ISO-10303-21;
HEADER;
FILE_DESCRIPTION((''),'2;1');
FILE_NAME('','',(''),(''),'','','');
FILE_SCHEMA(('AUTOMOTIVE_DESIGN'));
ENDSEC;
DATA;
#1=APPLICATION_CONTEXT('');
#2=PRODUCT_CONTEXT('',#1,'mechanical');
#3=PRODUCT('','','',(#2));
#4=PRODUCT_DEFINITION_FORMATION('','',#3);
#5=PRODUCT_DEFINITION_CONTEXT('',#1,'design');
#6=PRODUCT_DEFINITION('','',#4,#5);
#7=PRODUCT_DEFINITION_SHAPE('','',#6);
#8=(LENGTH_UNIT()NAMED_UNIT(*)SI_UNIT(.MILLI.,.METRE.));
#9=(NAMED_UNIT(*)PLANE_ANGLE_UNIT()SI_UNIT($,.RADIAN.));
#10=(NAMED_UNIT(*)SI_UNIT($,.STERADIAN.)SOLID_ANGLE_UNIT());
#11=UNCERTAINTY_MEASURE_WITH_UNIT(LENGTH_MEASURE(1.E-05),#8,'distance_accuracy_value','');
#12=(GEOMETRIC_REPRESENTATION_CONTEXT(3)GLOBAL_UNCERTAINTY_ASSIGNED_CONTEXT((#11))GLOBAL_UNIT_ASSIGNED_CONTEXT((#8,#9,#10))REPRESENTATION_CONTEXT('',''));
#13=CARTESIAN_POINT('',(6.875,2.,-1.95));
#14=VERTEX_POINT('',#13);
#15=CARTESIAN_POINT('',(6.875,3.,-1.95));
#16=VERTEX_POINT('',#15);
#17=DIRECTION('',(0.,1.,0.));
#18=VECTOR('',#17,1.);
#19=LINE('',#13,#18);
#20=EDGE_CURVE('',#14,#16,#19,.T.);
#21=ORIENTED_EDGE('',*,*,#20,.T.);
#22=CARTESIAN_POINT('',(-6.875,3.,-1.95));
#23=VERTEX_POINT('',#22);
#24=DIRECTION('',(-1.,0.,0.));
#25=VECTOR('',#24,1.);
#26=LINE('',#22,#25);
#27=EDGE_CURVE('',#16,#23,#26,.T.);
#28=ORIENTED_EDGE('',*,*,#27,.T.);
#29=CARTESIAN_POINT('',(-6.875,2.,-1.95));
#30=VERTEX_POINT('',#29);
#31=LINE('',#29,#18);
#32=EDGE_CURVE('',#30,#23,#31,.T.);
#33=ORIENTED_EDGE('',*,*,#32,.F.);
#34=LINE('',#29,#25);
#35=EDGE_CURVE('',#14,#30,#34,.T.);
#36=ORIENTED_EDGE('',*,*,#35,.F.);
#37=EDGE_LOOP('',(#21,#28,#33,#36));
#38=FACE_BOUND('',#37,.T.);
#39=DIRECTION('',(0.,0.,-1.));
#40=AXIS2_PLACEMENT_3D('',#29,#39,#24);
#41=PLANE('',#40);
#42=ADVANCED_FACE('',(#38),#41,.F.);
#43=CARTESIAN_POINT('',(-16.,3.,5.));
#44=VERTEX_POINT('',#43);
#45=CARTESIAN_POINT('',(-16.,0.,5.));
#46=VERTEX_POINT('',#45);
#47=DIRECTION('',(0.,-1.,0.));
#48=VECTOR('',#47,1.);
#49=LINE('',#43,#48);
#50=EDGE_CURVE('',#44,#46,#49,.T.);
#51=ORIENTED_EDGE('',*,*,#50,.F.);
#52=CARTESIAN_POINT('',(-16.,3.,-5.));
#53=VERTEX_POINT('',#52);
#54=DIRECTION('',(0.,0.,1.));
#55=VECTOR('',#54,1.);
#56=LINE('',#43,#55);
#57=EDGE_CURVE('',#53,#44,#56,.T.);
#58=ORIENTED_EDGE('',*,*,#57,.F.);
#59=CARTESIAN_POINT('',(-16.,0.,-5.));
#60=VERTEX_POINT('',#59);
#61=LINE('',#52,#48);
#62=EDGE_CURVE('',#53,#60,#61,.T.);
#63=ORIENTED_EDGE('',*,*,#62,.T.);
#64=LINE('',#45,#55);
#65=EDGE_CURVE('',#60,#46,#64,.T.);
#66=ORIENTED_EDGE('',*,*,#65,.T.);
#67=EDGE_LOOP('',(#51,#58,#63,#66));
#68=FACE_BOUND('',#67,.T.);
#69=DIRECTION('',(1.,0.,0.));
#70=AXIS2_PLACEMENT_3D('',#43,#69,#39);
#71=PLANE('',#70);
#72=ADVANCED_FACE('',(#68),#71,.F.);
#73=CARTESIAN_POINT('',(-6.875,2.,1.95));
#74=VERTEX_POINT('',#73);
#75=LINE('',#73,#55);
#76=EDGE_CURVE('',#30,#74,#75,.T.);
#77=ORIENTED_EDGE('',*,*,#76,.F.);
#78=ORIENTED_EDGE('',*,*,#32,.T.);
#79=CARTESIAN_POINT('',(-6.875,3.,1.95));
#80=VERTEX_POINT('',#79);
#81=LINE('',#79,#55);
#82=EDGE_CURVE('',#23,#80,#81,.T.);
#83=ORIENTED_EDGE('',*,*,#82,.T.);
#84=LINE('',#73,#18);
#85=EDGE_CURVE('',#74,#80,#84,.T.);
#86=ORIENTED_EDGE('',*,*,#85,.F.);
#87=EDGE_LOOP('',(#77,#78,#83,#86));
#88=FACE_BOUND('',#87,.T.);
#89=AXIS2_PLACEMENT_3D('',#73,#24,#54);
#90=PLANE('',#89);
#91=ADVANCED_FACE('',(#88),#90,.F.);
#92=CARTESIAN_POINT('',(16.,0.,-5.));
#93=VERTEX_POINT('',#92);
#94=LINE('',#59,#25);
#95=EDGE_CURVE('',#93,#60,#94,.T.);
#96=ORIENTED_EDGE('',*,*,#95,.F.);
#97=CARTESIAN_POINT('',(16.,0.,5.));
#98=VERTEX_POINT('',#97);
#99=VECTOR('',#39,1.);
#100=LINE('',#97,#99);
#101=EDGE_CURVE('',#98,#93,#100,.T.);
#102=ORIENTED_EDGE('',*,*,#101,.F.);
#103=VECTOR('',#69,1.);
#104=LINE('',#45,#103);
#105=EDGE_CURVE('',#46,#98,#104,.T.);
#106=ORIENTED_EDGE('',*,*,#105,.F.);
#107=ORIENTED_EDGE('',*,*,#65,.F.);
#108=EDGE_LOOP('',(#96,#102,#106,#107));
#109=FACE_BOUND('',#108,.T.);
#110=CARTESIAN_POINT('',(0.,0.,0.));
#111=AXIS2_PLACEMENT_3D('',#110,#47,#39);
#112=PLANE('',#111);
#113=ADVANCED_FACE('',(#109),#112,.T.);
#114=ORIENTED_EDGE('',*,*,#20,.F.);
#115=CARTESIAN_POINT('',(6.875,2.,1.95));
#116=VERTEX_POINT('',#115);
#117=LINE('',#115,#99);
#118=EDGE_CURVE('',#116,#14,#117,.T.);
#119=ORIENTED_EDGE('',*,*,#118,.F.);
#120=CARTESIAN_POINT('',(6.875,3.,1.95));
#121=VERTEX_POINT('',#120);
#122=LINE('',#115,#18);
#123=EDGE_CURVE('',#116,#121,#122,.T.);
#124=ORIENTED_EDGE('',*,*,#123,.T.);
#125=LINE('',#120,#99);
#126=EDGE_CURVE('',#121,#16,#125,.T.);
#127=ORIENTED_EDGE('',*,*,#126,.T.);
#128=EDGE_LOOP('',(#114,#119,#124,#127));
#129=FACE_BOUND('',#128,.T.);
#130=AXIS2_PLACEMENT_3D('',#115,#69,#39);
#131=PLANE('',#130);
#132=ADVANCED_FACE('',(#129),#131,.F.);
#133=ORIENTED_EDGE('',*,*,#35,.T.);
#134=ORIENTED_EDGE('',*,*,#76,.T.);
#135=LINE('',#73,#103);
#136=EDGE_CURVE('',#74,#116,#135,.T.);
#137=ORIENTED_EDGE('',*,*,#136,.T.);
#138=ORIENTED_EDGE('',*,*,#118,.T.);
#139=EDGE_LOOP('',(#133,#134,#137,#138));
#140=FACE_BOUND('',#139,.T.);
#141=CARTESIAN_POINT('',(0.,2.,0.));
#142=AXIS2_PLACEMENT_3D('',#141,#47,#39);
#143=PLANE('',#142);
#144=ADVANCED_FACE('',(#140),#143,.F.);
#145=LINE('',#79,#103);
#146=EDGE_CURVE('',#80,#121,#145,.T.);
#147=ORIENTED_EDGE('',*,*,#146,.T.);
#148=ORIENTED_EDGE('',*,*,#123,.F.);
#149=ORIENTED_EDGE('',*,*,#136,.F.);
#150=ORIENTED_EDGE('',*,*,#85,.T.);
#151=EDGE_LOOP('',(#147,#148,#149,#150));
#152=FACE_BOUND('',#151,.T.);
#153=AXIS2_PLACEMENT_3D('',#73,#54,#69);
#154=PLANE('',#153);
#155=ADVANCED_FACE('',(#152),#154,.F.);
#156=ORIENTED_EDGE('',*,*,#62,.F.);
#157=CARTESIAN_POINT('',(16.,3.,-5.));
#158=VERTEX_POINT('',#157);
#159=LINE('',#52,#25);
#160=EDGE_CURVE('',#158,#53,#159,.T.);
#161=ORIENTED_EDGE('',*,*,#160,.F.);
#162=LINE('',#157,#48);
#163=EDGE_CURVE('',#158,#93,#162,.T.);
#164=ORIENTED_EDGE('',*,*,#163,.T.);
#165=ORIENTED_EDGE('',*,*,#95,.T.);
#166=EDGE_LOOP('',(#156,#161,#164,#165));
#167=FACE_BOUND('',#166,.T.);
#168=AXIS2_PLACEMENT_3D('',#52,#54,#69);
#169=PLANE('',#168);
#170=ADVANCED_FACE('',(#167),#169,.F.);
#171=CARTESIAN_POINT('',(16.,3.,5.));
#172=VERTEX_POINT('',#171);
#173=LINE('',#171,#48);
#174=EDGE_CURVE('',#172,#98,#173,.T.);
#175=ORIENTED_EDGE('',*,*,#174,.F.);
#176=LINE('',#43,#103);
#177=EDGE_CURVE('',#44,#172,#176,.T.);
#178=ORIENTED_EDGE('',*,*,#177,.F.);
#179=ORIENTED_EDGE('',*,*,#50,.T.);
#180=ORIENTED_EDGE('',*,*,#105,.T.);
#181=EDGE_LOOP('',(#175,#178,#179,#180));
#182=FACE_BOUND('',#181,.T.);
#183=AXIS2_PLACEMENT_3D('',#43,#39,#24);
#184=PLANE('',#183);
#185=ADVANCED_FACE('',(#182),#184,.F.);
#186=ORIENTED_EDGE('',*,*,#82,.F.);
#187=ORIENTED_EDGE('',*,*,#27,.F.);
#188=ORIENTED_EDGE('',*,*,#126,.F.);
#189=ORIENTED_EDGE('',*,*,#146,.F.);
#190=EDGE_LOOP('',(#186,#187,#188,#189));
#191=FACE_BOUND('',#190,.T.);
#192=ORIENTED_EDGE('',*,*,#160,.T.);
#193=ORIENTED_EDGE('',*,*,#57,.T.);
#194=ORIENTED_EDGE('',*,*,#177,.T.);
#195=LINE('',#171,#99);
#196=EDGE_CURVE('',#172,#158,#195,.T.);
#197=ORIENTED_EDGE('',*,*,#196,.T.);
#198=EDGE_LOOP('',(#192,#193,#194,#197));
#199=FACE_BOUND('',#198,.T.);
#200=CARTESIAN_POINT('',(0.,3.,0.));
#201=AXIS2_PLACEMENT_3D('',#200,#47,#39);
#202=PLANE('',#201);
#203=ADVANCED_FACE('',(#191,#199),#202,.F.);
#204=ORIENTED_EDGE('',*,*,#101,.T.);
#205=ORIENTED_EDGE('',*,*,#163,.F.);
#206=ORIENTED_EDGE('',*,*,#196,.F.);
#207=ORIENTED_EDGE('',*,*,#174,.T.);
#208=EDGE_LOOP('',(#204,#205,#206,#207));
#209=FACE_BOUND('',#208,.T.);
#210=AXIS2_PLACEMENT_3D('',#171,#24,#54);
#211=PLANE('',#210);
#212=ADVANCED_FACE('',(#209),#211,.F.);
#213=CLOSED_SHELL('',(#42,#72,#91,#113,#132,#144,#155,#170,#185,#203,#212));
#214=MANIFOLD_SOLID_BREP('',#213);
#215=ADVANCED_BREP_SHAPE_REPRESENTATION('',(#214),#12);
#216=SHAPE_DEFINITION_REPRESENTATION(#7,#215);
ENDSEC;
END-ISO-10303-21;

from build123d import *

# Parameters (mm, degrees)
SKETCH_1_W          = 32
SKETCH_1_H          = 10
EXTRUDE_1_DEPTH     = 3
SKETCH_2_W          = 13.75
SKETCH_2_H          = 3.9
CUT_EXTRUDE_1_DEPTH = 1


with BuildPart() as part:
    # 草圖1 → 填料-伸長1 (new body)
    with BuildSketch(Plane(origin=(0, 0, 0), x_dir=(1, 0, 0), z_dir=(0, 1, 0))):
        Rectangle(SKETCH_1_W, SKETCH_1_H)
    extrude(amount=EXTRUDE_1_DEPTH)

    # 草圖2 → 除料-伸長1 (cut)
    with BuildSketch(Plane(origin=(0, 3, 0), x_dir=(1, 0, 0), z_dir=(0, 1, 0))):
        Rectangle(SKETCH_2_W, SKETCH_2_H)
    extrude(amount=-CUT_EXTRUDE_1_DEPTH, mode=Mode.SUBTRACT)


solid = part.part
